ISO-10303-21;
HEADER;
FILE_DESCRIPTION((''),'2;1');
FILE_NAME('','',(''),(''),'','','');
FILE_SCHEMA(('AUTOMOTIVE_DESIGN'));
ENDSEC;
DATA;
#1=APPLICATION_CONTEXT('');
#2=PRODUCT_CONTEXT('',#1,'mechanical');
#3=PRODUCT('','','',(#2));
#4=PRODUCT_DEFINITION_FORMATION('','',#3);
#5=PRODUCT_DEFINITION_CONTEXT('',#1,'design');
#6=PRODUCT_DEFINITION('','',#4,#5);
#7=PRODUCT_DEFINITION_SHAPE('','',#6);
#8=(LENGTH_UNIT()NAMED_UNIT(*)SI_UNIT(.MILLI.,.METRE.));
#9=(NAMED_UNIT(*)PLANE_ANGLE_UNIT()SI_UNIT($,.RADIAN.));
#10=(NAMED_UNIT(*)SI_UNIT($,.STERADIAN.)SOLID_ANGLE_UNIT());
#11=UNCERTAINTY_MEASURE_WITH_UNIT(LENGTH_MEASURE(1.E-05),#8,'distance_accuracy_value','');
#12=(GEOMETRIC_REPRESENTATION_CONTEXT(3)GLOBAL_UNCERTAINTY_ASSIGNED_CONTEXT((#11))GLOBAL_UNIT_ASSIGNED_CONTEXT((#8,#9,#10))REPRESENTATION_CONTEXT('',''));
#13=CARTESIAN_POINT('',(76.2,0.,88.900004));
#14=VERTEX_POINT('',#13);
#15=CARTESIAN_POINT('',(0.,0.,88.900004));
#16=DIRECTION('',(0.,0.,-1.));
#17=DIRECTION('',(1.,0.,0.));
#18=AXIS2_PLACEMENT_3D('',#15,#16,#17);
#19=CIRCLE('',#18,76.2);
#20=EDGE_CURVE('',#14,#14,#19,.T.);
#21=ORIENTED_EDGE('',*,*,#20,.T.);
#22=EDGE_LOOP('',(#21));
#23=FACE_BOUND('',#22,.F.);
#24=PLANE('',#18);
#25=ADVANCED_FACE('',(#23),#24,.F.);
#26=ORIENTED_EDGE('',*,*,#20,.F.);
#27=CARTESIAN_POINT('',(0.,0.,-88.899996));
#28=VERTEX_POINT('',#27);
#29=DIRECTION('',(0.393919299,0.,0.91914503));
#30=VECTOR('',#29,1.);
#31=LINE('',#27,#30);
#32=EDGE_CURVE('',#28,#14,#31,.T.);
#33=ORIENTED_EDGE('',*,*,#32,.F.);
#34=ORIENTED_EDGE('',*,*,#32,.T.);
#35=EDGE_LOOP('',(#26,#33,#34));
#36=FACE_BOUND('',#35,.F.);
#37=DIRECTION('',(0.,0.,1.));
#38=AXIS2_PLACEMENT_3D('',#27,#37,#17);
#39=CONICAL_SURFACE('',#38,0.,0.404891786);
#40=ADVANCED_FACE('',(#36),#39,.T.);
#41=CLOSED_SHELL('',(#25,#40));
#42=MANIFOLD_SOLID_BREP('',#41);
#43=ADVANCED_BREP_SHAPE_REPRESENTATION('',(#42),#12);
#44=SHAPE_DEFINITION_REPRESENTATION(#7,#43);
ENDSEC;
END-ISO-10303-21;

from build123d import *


with BuildPart() as f1:
    # F0 (on Front) → F1 (revolve)
    with BuildSketch(Plane.XZ):
        Polygon((76.2, 88.900004), (0, 88.900004), (0, -88.899996), align=None)
    revolve(axis=Axis((0, 0, 4e-06), (0, 0, -1)))


solid = f1.part
